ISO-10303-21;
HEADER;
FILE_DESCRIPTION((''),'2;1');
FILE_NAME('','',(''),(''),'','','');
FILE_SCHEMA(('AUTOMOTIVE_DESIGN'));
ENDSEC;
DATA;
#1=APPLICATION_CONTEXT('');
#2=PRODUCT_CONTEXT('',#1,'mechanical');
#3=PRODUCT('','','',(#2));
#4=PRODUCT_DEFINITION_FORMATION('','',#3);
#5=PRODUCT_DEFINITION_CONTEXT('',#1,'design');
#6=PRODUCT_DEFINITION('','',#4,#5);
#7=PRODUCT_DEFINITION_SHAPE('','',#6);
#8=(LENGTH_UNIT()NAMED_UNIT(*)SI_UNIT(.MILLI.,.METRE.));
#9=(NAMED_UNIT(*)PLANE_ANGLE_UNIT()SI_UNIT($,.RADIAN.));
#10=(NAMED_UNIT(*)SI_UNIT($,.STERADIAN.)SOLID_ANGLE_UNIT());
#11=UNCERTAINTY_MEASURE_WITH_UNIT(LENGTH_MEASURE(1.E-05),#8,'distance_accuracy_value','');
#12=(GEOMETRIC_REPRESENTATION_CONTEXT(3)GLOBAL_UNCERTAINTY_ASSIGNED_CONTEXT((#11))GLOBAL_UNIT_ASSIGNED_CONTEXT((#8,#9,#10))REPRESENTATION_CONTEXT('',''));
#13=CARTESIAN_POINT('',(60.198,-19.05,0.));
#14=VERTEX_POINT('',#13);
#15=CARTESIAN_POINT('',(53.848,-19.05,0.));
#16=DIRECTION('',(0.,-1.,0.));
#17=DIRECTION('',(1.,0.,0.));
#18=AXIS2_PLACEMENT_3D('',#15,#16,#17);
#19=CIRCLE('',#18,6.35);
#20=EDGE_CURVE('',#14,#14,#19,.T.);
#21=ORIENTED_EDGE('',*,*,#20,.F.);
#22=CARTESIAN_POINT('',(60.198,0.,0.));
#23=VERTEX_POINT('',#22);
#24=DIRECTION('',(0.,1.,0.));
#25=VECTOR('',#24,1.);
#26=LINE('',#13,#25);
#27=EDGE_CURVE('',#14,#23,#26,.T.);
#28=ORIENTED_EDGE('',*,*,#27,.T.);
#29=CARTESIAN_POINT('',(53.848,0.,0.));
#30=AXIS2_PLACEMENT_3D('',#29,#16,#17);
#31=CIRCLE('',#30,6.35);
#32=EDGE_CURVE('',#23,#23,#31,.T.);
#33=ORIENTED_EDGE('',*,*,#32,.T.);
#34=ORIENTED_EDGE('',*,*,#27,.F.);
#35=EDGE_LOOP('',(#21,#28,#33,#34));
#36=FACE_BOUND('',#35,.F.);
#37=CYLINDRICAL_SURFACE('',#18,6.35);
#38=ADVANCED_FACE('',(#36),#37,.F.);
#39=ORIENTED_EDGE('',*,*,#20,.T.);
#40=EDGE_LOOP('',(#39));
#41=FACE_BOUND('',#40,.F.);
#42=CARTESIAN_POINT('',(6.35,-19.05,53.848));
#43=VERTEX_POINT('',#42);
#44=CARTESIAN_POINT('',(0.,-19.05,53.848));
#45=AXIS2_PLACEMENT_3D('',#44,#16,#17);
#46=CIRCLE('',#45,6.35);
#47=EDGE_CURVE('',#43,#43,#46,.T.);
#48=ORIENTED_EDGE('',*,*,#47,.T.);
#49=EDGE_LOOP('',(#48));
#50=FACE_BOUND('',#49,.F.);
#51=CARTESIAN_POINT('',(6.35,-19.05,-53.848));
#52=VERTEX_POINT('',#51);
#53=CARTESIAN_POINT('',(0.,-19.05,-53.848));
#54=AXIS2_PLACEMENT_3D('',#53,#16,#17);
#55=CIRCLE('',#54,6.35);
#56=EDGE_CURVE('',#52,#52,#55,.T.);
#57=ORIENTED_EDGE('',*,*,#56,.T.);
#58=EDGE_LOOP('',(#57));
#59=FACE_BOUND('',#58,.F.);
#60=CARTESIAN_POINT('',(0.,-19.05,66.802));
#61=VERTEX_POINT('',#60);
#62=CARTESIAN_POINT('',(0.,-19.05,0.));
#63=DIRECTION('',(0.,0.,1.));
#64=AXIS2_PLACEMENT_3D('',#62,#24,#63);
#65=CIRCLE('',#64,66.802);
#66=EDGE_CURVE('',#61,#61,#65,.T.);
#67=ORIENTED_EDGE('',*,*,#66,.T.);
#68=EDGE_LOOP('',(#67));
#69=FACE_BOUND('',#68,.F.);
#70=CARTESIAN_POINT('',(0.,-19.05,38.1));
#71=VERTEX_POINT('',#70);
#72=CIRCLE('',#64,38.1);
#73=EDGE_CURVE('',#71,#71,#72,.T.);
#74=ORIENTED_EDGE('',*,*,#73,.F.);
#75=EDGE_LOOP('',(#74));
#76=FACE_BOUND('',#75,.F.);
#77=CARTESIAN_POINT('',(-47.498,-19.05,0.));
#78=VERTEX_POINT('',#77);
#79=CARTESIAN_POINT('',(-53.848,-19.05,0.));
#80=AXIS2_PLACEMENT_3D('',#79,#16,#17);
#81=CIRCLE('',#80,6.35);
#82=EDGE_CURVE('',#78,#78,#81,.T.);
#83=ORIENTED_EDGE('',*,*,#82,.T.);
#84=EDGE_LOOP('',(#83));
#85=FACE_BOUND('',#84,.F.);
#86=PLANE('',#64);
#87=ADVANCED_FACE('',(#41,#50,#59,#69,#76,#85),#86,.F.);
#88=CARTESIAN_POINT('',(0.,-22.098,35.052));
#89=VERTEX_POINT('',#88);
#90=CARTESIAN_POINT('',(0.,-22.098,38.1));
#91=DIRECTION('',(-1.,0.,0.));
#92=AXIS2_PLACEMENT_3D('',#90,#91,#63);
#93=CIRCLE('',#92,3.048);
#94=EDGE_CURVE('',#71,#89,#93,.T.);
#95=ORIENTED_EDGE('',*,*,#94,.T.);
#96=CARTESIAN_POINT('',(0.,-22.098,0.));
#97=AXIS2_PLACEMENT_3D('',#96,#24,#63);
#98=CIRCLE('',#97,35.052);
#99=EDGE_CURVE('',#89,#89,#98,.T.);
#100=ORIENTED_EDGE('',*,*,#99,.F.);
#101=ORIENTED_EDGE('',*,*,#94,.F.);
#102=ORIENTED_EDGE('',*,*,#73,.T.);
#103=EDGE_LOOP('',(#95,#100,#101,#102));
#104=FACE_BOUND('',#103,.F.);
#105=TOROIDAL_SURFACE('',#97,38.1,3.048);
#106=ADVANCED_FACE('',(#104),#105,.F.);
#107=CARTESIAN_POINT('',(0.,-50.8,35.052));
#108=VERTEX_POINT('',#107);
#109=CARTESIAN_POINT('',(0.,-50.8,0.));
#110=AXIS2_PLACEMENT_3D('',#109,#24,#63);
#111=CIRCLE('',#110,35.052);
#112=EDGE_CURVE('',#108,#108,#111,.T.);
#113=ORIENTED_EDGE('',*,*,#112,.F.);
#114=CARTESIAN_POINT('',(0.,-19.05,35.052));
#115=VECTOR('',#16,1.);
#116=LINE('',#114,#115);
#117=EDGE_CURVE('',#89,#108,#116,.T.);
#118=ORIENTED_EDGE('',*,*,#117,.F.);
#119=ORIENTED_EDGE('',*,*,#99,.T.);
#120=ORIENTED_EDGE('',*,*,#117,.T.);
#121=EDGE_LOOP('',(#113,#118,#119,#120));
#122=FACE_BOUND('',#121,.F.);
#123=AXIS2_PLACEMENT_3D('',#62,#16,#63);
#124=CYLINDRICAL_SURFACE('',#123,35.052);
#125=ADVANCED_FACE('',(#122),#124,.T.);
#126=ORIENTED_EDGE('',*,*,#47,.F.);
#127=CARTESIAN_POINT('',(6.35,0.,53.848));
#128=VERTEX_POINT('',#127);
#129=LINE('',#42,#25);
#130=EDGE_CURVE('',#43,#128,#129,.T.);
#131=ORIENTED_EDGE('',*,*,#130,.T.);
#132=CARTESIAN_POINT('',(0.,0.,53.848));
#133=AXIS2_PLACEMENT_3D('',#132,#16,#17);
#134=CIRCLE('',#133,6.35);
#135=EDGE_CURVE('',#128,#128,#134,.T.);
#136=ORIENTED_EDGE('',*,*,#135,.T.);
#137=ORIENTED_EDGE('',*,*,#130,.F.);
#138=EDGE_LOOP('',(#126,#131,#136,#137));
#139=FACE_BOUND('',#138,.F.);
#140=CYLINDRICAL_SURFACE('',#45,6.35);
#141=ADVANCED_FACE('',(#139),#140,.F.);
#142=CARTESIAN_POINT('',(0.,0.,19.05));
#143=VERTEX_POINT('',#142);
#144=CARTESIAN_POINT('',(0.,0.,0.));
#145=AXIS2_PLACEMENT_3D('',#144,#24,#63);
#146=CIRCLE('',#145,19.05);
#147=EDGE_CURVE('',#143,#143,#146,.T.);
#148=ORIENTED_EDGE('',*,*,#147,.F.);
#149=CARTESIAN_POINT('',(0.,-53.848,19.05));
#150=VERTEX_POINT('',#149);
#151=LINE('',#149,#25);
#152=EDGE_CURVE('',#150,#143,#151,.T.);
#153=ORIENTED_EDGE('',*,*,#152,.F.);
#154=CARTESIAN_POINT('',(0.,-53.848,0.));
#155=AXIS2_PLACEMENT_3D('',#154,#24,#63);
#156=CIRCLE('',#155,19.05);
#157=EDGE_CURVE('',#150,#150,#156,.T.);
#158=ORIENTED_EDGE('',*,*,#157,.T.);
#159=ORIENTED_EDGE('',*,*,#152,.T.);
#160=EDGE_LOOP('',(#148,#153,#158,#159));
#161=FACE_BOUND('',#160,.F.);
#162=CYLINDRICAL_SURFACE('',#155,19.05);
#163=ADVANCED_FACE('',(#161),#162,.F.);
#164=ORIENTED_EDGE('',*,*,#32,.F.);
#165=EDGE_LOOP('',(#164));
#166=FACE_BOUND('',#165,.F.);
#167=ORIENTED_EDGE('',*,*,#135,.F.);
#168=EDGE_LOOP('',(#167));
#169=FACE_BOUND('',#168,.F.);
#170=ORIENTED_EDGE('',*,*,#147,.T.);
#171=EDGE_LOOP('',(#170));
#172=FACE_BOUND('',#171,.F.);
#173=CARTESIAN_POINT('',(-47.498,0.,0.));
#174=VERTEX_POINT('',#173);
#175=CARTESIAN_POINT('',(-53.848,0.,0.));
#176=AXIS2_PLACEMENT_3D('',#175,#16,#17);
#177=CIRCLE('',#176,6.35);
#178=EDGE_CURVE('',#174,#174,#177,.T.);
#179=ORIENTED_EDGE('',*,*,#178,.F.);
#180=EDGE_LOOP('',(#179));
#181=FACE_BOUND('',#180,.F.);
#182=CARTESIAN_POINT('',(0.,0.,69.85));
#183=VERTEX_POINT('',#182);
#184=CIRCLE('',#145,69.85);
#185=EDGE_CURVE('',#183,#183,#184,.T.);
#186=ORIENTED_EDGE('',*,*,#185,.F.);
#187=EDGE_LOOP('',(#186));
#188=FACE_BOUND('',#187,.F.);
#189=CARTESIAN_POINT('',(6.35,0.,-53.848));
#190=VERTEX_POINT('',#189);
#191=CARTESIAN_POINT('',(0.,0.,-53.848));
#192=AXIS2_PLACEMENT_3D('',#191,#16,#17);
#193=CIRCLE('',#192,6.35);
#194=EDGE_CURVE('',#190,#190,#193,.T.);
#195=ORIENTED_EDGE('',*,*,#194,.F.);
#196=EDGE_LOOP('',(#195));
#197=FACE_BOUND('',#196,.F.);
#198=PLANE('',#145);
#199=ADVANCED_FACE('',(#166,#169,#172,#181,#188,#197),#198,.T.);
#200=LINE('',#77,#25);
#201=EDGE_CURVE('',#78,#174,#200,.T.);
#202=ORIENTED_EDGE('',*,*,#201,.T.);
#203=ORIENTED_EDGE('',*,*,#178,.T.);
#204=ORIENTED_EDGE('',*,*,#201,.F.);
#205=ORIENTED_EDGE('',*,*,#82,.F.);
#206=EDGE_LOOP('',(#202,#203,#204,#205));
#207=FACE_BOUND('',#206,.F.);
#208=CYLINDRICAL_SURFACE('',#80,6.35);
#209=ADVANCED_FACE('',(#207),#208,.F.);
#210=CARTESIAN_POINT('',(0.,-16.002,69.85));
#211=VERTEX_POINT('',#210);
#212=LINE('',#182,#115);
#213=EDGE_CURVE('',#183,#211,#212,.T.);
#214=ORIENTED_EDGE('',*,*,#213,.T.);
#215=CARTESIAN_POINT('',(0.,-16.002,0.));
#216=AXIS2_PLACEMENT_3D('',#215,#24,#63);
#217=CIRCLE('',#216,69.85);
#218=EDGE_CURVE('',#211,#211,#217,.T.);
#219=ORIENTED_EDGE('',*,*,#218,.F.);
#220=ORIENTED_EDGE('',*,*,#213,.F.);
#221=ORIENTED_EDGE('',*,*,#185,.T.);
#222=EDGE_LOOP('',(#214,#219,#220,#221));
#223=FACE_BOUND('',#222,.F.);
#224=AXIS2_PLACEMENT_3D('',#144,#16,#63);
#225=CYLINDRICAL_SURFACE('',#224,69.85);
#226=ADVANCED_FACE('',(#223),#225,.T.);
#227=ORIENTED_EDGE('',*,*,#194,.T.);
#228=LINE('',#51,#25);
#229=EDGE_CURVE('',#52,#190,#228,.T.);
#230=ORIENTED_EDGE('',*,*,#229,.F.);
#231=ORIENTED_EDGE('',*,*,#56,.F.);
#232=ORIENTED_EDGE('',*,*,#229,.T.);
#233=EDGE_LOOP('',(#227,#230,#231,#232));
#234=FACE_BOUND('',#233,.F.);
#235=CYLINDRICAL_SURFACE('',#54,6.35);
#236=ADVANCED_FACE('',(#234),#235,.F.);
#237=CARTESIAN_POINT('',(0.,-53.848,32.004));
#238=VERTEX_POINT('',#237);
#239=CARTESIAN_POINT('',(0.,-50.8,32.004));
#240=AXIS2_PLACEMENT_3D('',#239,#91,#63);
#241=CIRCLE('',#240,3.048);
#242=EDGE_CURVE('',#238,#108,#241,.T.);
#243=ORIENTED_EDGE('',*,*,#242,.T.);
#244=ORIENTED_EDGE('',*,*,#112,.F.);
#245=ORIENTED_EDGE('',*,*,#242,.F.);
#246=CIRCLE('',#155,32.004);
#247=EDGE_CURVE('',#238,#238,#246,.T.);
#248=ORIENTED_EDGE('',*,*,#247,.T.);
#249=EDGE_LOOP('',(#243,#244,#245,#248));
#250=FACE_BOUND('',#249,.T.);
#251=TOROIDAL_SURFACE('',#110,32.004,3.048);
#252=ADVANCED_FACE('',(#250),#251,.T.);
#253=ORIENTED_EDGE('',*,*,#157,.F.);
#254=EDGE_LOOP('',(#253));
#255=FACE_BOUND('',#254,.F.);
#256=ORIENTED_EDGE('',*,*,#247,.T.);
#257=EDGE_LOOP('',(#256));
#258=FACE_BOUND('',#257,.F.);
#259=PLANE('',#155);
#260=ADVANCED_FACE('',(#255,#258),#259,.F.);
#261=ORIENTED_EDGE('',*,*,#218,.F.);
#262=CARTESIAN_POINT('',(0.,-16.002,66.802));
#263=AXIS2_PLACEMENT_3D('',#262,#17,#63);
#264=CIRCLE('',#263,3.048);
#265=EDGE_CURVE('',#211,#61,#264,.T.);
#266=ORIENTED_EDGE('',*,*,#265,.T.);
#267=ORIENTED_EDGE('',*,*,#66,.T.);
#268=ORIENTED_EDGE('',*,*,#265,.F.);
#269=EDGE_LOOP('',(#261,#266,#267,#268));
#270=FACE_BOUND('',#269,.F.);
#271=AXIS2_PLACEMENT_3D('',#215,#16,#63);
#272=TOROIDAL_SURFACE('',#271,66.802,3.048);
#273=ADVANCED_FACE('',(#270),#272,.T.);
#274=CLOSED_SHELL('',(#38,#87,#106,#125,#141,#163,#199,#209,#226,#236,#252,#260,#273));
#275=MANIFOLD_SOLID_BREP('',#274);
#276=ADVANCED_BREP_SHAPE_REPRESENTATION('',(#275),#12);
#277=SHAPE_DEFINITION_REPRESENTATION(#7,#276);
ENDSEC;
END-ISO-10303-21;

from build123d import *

# Parameters (mm, degrees)
F2_R     = 3.048
F3_R     = 6.35
F4_DEPTH = 19.051


with BuildPart() as f1:
    # F0 (on Right) → F1 (revolve)
    with BuildSketch(Plane.YZ):
        Polygon((-53.848, 35.052), (-53.848, 19.05), (0, 19.05), (0, 69.85), (-19.05, 69.85), (-19.05, 35.052), align=None)
    revolve(axis=Axis((0, 1.321171, 0), (0, 1, 0)))

    # F2
    f2_edges = [f1.edges().sort_by_distance(p)[0] for p in [
        (0, -19.05, -69.85),
        (0, -53.848, -35.052),
        (0, -19.05, -35.052),
    ]]
    fillet(f2_edges, radius=F2_R)

    # F3 (on face) → F4 (cut, through all)
    with BuildSketch(Plane.XZ.offset(19.05)):
        with Locations((0, 53.848)):
            Circle(F3_R)
        with Locations((53.848, 0)):
            Circle(F3_R)
        with Locations((0, -53.848)):
            Circle(F3_R)
        with Locations((-53.848, 0)):
            Circle(F3_R)
    extrude(amount=-F4_DEPTH, mode=Mode.SUBTRACT)


solid = f1.part
